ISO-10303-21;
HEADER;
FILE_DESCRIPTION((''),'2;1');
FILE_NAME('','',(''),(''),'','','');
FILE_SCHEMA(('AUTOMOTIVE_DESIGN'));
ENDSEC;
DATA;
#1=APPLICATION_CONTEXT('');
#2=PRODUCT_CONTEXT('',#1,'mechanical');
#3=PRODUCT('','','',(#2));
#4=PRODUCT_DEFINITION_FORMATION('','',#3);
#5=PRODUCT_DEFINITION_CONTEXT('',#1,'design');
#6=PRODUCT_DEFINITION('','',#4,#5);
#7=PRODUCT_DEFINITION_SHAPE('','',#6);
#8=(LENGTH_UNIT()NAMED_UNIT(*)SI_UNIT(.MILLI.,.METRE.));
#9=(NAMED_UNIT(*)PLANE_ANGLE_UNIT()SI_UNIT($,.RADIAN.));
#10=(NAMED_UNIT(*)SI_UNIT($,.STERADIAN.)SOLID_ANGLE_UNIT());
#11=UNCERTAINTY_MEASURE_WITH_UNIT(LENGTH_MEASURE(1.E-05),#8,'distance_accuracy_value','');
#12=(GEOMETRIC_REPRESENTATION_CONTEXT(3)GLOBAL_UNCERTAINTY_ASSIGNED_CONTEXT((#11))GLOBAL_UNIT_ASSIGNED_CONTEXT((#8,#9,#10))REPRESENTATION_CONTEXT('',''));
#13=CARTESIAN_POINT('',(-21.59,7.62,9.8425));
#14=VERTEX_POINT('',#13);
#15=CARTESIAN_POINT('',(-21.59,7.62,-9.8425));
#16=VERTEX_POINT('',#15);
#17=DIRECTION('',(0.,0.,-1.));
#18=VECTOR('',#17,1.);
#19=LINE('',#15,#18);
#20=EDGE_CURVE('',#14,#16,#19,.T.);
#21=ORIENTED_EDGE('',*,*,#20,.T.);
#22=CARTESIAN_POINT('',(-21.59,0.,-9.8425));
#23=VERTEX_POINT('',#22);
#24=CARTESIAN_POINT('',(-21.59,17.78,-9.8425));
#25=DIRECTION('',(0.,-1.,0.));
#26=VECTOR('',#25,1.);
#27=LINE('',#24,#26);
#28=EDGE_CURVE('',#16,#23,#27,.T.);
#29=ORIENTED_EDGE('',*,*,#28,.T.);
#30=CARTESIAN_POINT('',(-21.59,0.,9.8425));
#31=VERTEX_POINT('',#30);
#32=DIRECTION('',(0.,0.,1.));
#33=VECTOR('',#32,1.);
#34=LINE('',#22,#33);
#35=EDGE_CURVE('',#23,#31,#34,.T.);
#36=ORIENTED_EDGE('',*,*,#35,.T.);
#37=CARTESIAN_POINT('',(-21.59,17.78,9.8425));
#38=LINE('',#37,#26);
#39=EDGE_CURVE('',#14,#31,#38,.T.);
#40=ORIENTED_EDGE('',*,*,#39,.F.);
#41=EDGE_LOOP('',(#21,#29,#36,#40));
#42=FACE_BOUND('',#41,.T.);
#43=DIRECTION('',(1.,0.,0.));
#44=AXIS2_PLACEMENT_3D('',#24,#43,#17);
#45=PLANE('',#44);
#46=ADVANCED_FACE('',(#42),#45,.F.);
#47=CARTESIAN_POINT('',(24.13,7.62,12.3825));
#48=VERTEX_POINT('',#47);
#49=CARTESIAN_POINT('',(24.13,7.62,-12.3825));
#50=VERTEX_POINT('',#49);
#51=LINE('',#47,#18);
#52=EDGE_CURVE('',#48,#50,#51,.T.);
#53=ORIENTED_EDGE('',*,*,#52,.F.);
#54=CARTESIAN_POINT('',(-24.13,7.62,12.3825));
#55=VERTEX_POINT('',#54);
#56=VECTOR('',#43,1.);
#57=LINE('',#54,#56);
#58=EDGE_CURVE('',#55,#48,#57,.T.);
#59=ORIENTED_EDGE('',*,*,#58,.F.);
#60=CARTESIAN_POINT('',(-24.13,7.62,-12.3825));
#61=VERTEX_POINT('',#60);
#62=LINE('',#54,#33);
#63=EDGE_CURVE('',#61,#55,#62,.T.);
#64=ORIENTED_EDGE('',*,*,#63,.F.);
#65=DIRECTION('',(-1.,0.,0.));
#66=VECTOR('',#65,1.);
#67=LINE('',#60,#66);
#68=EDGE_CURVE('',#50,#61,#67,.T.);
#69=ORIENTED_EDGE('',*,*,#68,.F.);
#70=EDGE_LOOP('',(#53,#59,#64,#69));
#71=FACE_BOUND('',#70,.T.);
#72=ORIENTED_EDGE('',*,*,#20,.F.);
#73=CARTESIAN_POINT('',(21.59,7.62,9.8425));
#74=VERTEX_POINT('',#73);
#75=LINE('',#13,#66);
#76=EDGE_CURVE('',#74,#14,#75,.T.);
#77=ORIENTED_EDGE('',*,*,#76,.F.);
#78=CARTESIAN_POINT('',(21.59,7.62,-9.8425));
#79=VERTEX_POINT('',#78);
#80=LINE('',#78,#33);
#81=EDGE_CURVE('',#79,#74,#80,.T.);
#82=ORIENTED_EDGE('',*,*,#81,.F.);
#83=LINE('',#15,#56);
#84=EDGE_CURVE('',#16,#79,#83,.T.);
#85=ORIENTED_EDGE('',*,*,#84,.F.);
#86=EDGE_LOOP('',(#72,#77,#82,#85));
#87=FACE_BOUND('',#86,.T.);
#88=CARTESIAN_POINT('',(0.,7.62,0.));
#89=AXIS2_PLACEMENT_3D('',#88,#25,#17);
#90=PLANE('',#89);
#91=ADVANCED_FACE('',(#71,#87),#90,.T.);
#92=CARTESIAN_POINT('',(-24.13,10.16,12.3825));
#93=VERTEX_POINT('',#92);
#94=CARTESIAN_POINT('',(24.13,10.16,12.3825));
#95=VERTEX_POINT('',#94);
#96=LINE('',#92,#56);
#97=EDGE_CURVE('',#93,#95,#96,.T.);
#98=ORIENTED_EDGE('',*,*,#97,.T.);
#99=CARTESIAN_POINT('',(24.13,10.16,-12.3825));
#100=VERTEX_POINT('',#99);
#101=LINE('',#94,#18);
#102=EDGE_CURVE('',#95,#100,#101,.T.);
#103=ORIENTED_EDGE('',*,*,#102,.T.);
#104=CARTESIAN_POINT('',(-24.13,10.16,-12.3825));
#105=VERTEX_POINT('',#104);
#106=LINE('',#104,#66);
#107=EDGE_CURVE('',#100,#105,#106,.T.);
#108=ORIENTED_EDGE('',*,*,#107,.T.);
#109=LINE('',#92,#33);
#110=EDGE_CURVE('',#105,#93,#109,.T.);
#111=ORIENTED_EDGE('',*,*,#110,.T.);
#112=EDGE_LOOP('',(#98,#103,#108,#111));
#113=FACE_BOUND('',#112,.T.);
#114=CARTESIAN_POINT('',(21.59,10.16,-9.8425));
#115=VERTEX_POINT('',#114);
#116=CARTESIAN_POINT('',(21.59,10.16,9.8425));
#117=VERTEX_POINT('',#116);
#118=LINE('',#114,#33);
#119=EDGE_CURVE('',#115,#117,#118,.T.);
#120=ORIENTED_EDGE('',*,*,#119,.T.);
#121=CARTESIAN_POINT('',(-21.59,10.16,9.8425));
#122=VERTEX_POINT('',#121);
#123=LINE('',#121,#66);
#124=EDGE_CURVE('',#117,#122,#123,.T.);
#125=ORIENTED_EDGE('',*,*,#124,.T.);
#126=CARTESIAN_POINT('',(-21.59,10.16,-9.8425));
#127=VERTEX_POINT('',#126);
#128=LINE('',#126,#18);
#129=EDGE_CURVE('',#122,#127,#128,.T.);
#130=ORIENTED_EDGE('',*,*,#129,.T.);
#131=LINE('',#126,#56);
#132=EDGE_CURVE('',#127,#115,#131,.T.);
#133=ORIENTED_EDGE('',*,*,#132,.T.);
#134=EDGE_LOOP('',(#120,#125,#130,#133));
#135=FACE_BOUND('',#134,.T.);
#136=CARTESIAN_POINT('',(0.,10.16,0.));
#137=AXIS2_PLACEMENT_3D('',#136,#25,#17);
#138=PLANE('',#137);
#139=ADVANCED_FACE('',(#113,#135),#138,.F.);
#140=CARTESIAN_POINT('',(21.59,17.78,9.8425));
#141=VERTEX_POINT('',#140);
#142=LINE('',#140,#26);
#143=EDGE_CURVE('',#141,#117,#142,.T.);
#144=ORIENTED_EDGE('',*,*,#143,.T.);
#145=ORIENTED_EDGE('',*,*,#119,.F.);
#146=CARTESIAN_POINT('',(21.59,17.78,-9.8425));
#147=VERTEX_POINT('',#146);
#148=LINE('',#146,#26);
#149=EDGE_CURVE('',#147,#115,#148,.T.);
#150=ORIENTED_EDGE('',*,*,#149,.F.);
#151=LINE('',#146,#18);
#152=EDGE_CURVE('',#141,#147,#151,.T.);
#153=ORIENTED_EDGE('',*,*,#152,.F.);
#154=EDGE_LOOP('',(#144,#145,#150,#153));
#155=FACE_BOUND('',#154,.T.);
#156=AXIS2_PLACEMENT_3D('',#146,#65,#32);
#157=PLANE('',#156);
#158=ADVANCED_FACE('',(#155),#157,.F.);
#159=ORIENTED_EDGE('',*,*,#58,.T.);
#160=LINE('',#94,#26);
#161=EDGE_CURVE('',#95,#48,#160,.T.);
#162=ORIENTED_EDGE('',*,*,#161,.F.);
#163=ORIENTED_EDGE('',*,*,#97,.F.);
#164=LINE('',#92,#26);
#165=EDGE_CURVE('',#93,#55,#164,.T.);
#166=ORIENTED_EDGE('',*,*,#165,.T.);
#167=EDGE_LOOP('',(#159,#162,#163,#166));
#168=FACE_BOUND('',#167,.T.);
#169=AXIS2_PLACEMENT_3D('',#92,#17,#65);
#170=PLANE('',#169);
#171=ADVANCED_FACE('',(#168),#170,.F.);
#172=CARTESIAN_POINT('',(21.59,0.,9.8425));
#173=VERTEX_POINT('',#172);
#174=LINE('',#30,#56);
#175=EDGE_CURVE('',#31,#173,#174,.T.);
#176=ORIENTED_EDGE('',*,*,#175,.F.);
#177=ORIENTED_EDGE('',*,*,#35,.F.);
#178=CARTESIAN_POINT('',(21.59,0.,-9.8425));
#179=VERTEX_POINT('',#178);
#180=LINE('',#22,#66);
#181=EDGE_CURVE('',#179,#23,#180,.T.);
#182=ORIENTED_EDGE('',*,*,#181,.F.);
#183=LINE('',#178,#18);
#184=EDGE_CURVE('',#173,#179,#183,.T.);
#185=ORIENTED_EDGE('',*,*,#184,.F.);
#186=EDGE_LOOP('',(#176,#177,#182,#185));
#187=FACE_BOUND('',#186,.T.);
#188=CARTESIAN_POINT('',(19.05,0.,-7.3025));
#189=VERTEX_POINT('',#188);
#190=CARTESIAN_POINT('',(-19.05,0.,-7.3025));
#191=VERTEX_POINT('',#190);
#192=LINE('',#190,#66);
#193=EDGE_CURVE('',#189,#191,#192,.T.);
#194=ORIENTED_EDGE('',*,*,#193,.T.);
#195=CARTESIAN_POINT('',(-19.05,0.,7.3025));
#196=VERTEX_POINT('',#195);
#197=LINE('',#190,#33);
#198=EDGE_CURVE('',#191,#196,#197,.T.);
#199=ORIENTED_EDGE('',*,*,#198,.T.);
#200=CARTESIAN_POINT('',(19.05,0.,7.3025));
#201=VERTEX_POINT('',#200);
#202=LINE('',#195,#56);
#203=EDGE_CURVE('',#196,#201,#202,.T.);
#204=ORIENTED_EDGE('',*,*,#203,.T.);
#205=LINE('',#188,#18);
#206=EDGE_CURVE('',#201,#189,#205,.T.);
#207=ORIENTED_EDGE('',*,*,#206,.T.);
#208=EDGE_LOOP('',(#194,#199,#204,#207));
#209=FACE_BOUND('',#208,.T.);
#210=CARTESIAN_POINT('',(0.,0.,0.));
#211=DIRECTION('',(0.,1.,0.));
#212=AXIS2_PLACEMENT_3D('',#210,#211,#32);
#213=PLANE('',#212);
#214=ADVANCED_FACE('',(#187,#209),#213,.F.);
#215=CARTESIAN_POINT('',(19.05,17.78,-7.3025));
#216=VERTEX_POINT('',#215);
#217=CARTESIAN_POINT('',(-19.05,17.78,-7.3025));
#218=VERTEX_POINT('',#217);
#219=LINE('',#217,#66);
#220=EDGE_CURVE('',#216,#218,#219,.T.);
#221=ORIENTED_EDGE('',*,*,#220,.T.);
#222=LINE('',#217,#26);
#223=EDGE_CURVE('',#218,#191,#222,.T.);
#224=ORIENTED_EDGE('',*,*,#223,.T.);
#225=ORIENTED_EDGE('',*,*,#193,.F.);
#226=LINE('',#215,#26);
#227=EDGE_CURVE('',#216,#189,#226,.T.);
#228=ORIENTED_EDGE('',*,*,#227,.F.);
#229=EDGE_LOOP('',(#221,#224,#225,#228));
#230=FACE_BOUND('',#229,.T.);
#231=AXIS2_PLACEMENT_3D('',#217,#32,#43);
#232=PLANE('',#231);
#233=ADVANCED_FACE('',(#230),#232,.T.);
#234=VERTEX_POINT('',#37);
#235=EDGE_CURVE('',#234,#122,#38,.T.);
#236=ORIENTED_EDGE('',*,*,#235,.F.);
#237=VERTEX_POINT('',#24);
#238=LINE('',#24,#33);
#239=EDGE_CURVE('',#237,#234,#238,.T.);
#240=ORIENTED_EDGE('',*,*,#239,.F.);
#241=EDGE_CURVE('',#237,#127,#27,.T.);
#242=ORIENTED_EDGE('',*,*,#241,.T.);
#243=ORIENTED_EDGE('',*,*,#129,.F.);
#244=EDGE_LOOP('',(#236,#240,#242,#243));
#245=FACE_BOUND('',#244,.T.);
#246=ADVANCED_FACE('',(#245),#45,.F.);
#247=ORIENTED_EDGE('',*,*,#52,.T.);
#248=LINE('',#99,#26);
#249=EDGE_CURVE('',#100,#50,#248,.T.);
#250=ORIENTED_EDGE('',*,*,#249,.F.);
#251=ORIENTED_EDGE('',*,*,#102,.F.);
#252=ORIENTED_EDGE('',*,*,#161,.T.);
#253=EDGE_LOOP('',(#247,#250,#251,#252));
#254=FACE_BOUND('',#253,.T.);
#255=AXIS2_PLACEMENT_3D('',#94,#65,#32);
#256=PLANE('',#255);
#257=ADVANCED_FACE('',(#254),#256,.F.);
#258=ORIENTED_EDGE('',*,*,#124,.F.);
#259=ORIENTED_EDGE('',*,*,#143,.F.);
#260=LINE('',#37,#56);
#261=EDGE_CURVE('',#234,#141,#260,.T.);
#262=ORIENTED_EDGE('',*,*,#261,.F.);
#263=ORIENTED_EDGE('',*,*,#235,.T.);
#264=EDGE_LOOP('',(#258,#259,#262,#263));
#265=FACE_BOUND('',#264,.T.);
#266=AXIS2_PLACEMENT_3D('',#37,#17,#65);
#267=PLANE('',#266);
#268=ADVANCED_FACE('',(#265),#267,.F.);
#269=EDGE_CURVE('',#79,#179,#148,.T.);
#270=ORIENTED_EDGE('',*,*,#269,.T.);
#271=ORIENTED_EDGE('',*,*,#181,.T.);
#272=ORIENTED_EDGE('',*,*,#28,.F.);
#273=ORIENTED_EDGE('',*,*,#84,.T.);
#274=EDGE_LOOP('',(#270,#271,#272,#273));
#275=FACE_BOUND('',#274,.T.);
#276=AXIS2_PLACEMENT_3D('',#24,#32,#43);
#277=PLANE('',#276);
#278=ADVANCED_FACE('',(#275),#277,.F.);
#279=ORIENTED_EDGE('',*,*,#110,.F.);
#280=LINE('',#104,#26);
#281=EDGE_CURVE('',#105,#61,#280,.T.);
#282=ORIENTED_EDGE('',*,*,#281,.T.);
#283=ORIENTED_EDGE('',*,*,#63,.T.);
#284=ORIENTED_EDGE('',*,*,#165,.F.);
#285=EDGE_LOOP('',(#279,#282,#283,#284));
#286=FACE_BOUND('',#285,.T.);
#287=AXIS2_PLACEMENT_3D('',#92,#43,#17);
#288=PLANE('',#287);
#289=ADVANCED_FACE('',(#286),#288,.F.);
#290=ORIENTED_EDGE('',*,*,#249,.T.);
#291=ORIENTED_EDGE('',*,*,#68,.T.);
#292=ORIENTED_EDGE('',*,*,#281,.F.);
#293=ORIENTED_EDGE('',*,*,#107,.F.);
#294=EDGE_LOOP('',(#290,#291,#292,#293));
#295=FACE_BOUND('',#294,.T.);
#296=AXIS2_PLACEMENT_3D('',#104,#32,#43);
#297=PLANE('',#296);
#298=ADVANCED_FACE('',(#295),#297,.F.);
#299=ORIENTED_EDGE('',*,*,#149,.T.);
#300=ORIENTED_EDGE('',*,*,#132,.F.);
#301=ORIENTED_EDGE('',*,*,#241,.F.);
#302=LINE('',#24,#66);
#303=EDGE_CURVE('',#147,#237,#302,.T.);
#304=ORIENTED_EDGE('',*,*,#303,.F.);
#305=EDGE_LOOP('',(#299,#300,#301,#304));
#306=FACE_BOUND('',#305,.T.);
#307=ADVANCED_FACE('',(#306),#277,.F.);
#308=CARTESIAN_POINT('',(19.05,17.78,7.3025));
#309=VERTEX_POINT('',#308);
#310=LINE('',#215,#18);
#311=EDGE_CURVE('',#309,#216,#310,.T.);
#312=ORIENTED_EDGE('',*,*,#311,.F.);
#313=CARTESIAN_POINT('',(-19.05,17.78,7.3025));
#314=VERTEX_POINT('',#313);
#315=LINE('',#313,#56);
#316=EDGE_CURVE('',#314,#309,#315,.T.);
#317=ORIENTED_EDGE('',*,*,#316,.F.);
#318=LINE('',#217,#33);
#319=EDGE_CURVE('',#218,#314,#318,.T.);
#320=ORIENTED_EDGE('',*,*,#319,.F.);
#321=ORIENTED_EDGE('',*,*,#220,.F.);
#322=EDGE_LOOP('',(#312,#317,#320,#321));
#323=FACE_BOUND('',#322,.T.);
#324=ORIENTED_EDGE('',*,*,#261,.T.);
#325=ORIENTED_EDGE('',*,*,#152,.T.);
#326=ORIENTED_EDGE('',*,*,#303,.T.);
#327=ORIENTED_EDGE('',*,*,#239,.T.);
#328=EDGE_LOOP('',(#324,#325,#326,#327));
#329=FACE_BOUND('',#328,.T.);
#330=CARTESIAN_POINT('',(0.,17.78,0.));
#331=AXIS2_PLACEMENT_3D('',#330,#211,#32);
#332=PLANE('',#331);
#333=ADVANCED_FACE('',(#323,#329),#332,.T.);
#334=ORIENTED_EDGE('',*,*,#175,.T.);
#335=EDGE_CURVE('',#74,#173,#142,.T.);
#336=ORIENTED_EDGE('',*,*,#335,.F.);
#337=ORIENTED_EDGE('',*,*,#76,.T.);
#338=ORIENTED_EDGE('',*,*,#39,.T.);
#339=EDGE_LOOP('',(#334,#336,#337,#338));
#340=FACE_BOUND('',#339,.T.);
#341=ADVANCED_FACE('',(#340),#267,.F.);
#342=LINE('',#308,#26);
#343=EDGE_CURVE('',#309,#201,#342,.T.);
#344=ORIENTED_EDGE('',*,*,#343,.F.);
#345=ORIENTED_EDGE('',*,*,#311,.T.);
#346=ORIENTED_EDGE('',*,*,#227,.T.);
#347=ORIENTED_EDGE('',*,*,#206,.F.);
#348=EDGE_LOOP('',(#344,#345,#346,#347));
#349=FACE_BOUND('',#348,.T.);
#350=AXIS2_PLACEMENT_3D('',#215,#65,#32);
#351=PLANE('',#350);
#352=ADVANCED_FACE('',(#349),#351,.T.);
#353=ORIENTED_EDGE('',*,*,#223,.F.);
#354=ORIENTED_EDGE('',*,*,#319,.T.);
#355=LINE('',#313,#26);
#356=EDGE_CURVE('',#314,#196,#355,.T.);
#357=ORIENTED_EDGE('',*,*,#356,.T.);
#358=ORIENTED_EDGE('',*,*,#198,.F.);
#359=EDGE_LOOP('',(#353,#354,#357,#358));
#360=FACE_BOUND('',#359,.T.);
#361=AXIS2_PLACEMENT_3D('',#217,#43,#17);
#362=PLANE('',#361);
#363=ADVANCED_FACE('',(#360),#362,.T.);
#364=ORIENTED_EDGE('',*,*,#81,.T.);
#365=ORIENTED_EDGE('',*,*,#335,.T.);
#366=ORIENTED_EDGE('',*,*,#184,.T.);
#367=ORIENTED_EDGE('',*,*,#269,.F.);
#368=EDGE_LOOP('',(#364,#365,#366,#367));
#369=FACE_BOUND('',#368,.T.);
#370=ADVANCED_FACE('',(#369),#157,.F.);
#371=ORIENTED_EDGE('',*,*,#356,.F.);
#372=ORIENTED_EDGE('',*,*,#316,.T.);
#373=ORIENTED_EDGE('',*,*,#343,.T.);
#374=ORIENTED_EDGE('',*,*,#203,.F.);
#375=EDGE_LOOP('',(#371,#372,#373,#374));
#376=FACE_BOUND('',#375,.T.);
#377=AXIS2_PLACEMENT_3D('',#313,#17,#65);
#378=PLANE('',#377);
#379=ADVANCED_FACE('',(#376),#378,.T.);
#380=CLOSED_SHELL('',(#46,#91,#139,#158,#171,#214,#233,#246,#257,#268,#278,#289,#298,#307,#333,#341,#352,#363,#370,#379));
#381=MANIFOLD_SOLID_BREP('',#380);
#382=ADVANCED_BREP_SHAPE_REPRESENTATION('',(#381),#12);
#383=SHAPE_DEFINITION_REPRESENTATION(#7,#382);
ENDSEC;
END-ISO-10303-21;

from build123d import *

# Parameters (mm, degrees)
SKETCH1_W           = 43.18
SKETCH1_H           = 19.685
SKETCH1_W_2         = 38.1
SKETCH1_H_2         = 14.605
BOSS_EXTRUDE1_DEPTH = 17.78
SKETCH2_W           = 48.26
SKETCH2_H           = 24.765
SKETCH2_W_2         = 38.1
SKETCH2_H_2         = 14.605
BOSS_EXTRUDE2_DEPTH = 2.54


with BuildPart() as part:
    # Sketch1 → Boss-Extrude1 (new body)
    with BuildSketch(Plane(origin=(0, 0, 0), x_dir=(1, 0, 0), z_dir=(0, 1, 0))):
        Rectangle(SKETCH1_W, SKETCH1_H)
        Rectangle(SKETCH1_W_2, SKETCH1_H_2, mode=Mode.SUBTRACT)
    extrude(amount=BOSS_EXTRUDE1_DEPTH)

    # Sketch2 → Boss-Extrude2 (add)
    with BuildSketch(Plane(origin=(0, 7.62, 0), x_dir=(1, 0, 0), z_dir=(0, 1, 0))):
        Rectangle(SKETCH2_W, SKETCH2_H)
        Rectangle(SKETCH2_W_2, SKETCH2_H_2, mode=Mode.SUBTRACT)
    extrude(amount=BOSS_EXTRUDE2_DEPTH)


solid = part.part
